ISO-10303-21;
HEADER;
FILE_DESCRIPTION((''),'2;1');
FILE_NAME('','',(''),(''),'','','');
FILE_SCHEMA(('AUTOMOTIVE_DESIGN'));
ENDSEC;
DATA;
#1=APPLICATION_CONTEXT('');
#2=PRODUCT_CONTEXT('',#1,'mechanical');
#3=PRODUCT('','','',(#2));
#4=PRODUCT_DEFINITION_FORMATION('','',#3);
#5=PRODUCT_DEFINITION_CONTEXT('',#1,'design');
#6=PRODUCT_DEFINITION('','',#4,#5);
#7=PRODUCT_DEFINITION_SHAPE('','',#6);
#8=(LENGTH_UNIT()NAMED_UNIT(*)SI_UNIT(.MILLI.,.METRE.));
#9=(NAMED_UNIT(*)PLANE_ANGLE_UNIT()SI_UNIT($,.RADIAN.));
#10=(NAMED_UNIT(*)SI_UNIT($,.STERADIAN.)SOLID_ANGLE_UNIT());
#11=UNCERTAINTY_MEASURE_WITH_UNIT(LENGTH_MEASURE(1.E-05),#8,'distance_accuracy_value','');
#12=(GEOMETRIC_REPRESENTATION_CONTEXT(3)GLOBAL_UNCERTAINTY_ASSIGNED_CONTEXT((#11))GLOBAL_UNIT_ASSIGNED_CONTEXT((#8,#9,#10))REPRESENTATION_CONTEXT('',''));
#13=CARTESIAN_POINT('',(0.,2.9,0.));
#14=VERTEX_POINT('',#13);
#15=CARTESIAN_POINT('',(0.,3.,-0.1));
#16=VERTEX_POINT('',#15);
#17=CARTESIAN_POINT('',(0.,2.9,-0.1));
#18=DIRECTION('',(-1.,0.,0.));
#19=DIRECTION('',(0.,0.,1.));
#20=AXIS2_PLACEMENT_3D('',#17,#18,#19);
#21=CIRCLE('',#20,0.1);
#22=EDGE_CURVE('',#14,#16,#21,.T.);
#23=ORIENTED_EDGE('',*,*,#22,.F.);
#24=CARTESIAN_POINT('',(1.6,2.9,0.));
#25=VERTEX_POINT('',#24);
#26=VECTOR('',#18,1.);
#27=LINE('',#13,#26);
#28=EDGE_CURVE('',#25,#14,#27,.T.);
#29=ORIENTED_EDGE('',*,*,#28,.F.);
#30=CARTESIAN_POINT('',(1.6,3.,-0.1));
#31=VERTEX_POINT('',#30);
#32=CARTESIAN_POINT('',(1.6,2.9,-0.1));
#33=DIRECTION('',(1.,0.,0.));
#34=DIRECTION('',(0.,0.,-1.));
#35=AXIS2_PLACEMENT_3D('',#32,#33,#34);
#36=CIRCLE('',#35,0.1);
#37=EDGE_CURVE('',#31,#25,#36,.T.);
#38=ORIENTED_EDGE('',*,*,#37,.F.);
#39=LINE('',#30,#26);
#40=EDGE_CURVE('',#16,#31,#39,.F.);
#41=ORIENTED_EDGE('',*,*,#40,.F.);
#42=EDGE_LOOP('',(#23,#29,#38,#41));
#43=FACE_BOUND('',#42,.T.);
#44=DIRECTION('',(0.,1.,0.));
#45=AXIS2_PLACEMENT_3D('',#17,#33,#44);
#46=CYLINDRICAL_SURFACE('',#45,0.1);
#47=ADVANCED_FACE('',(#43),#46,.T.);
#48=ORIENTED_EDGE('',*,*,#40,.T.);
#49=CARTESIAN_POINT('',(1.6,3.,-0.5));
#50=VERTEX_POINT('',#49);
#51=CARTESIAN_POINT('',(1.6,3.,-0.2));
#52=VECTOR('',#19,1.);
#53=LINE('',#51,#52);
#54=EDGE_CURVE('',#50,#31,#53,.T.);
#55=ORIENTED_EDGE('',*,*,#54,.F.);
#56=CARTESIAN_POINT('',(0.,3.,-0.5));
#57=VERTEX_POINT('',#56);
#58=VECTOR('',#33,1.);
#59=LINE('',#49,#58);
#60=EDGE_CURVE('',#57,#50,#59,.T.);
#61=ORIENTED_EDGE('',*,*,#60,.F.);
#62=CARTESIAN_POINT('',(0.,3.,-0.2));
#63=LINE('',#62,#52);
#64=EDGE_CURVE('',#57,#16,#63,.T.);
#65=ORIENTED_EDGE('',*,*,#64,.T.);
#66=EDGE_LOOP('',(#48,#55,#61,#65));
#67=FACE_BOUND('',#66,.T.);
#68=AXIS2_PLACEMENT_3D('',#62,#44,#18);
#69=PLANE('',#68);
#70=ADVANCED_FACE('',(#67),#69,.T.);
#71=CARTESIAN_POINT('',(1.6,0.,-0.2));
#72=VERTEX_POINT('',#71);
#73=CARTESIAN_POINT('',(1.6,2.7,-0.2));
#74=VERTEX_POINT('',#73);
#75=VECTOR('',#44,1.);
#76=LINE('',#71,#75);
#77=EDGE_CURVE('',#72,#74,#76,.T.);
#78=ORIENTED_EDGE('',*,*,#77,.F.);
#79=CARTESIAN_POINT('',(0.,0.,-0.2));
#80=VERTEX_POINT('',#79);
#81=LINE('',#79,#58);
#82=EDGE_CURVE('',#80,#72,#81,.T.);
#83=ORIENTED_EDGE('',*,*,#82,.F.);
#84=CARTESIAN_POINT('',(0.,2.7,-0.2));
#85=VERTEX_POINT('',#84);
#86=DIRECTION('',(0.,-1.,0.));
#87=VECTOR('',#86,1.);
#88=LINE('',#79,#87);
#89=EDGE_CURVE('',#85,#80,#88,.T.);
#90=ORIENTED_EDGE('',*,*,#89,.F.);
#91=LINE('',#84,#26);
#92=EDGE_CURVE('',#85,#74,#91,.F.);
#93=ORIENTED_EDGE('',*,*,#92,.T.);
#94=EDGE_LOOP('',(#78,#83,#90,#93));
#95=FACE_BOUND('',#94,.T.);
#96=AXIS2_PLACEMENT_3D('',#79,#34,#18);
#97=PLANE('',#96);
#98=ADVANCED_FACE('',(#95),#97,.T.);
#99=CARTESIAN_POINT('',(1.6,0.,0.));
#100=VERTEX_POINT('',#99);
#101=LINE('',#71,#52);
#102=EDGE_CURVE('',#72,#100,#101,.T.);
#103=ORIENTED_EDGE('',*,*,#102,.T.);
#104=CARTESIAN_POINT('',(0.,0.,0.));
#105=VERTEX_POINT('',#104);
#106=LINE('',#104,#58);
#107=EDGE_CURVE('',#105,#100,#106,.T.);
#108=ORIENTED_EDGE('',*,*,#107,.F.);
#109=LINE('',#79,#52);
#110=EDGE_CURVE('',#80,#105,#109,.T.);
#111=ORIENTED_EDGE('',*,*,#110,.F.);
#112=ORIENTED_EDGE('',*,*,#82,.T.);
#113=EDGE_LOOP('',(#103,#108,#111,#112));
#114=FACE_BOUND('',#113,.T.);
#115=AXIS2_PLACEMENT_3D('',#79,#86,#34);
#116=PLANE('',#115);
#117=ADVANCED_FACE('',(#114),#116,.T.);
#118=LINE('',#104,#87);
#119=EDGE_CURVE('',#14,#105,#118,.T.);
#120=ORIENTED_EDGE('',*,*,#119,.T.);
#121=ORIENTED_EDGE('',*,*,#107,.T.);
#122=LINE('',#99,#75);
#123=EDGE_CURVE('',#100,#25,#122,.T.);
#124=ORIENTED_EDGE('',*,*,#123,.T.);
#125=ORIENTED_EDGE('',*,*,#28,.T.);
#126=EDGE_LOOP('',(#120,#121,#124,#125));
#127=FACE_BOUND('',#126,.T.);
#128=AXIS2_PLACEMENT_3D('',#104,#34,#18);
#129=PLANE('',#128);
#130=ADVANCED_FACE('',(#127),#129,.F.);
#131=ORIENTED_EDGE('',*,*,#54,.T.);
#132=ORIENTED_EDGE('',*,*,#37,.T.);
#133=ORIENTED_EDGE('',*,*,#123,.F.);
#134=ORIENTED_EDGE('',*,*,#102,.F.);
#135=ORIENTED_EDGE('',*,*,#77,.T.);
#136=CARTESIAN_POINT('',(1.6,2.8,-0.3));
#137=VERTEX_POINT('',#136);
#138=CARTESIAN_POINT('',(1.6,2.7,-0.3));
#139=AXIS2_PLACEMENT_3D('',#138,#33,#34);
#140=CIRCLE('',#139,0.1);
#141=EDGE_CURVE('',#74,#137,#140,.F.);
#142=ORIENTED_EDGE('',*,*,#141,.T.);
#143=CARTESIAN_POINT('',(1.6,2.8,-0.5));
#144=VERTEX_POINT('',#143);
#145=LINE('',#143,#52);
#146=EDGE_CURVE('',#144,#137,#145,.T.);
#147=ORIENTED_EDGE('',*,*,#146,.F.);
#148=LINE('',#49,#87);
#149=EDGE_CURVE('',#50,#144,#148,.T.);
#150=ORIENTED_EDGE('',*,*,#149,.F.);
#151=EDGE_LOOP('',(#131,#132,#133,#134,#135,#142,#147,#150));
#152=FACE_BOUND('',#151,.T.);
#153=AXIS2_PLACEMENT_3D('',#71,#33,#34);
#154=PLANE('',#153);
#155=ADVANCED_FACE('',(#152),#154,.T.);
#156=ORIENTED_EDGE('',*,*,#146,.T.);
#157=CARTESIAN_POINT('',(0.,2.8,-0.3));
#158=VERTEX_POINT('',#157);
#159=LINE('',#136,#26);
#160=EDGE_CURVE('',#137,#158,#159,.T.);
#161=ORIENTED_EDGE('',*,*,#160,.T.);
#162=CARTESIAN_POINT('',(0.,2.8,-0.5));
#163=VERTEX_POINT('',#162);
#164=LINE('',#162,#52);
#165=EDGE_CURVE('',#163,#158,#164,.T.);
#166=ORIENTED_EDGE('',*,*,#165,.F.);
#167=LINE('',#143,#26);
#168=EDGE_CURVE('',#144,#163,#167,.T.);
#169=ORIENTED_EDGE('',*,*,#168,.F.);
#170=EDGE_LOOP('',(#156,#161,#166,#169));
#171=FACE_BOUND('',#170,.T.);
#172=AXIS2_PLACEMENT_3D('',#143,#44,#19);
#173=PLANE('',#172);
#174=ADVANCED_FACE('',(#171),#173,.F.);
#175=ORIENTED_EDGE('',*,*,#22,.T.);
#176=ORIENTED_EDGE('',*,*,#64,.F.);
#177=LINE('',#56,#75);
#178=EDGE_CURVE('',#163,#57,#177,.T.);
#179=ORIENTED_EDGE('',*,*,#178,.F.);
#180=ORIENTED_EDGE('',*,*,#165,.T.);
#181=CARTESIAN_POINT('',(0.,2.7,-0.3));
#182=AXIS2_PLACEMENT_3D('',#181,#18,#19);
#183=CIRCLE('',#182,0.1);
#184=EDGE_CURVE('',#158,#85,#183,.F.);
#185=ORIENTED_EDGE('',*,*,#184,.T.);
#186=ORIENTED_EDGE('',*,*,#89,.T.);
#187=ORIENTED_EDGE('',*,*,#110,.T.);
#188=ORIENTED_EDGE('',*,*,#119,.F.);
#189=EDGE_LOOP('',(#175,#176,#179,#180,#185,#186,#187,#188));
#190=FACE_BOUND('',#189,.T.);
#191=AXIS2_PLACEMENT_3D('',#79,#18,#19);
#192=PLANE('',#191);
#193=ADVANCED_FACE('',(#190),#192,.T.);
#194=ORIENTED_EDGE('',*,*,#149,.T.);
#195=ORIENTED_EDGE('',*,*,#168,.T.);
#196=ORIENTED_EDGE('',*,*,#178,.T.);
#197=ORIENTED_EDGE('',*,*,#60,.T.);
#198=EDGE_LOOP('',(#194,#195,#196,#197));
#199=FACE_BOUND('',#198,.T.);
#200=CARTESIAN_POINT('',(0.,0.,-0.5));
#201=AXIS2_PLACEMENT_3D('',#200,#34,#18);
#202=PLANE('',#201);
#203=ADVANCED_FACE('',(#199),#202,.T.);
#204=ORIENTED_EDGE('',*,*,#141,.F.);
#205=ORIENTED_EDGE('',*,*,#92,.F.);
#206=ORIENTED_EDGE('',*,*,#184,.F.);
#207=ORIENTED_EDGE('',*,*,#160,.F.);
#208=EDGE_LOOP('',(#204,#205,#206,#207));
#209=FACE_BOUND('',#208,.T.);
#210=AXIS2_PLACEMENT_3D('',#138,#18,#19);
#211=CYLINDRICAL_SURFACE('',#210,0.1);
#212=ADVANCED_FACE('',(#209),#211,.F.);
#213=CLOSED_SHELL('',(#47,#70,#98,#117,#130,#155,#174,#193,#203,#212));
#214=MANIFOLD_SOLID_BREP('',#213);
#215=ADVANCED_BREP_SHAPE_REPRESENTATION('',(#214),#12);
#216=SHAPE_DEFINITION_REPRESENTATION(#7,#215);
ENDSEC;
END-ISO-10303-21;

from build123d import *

# Parameters (mm, degrees)
ESQUISSE1_W        = 1.6
ESQUISSE1_H        = 3
BOSS_EXTRU_1_DEPTH = 0.2
ESQUISSE2_W        = 1.6
ESQUISSE2_H        = 0.2
BOSS_EXTRU_2_DEPTH = 0.3
CONG_1_R           = 0.1


with BuildPart() as part:
    # Esquisse1 → Boss.-Extru.1 (new body)
    with BuildSketch(Plane.XY):
        with Locations((0.8, 1.5)):
            Rectangle(ESQUISSE1_W, ESQUISSE1_H)
    extrude(amount=-BOSS_EXTRU_1_DEPTH)

    # Esquisse2 → Boss.-Extru.2 (add)
    with BuildSketch(Plane(origin=(0, 0, -0.2), x_dir=(-1, 0, 0), z_dir=(0, 0, -1))):
        with Locations((-0.8, 2.9)):
            Rectangle(ESQUISSE2_W, ESQUISSE2_H)
    extrude(amount=BOSS_EXTRU_2_DEPTH)

    # Congé1
    cong_1_edges = [part.edges().sort_by_distance(p)[0] for p in [
        (0.8, 3, 0),
        (0.8, 2.8, -0.2),
    ]]
    fillet(cong_1_edges, radius=CONG_1_R)


solid = part.part
